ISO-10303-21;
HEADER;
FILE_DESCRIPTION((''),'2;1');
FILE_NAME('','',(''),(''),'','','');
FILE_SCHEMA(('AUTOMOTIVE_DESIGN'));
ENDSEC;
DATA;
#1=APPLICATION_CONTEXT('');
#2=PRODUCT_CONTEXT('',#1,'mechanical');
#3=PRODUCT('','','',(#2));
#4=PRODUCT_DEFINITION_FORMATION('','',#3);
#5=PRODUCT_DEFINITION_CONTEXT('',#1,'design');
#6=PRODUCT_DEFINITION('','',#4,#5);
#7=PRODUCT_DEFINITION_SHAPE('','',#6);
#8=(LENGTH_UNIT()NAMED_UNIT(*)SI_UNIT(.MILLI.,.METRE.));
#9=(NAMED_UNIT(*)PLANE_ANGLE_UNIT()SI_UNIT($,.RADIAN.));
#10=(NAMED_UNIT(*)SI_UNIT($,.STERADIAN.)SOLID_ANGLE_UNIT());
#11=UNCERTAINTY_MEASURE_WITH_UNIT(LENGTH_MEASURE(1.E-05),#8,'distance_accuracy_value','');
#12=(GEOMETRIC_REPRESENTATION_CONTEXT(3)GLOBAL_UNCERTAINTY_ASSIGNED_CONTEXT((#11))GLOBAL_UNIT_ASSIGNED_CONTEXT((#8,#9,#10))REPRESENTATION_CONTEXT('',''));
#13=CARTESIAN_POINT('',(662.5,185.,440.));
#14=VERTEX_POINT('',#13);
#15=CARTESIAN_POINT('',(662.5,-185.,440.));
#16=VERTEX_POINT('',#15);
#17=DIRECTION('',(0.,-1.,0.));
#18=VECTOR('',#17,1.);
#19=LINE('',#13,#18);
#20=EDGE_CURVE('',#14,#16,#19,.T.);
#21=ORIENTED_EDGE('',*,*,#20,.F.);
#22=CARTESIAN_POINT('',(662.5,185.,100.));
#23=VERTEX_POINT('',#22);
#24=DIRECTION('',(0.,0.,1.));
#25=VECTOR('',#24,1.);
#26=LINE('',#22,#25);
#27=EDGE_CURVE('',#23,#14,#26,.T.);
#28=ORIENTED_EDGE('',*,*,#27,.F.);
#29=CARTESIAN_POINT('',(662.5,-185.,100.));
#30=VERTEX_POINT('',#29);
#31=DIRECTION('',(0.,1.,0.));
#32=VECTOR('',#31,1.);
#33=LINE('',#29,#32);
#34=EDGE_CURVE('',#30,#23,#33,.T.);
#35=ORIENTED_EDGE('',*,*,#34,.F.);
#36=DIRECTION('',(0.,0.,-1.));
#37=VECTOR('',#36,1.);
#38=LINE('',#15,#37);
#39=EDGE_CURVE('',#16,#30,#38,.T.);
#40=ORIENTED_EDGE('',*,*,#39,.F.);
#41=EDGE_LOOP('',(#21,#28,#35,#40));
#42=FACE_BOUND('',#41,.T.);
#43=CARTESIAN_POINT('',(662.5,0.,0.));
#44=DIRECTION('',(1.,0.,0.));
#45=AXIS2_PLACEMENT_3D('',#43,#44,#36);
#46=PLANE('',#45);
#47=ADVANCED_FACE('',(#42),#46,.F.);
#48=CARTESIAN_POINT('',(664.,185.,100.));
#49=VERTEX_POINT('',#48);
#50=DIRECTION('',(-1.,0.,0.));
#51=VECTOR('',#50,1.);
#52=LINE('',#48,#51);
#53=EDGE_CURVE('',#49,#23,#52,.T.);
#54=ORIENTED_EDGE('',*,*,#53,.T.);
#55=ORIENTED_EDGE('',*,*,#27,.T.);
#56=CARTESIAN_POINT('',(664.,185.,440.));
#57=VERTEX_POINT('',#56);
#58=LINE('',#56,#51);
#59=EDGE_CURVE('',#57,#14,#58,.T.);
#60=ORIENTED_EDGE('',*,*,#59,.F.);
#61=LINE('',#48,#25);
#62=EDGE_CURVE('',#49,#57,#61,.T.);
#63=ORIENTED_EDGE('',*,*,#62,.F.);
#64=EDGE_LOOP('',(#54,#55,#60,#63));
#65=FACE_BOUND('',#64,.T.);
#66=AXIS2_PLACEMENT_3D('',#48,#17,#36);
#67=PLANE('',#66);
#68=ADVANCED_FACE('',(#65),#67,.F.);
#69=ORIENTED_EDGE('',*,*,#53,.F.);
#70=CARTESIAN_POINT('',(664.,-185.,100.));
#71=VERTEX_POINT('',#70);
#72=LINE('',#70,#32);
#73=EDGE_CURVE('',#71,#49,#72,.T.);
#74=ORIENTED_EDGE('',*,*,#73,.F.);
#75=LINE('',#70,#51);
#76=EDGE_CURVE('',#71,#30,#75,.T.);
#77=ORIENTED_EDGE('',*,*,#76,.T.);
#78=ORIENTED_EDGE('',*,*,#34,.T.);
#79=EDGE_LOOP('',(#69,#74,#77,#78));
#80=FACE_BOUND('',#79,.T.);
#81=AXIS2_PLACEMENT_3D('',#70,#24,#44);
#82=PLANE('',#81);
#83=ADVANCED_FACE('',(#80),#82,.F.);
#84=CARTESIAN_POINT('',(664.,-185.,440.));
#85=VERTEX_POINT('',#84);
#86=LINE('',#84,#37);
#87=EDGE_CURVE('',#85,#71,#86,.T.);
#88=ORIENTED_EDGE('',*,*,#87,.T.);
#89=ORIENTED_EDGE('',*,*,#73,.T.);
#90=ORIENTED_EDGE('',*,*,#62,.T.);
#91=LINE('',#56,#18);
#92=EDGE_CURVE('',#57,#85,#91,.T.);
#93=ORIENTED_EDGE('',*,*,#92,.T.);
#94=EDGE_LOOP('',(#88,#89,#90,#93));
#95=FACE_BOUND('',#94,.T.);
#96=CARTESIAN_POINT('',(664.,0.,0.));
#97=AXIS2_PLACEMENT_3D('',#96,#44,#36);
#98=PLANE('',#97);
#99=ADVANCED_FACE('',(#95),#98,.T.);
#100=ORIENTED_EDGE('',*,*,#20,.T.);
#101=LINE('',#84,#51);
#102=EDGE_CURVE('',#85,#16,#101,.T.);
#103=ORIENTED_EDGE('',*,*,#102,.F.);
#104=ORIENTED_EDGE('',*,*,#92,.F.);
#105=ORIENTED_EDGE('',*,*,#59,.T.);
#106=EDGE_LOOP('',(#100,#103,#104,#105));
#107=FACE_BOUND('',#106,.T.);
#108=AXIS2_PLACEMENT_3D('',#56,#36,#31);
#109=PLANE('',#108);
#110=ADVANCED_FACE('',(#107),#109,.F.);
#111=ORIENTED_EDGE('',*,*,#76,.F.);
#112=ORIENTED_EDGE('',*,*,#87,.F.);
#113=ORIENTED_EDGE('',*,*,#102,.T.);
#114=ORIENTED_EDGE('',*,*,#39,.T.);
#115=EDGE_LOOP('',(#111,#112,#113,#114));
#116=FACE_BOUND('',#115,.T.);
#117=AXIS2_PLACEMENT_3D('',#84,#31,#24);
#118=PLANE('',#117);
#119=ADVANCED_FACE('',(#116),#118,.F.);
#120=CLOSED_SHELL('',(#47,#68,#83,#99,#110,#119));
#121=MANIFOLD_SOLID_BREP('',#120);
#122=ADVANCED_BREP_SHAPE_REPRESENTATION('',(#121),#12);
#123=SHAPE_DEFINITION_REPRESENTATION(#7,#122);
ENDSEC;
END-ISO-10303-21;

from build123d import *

# Parameters (mm, degrees)
SZKIC1_W                    = 340
SZKIC1_H                    = 370
DODANIE_WYCI_GNI_CIE1_DEPTH = 1.5


with BuildPart() as part:
    # Szkic1 → Dodanie-wyciągnięcie1 (new body)
    with BuildSketch(Plane(origin=(662.5, 0, 0), x_dir=(0, 0, -1), z_dir=(1, 0, 0))):
        with Locations((-270, 0)):
            Rectangle(SZKIC1_W, SZKIC1_H)
    extrude(amount=DODANIE_WYCI_GNI_CIE1_DEPTH)


solid = part.part
